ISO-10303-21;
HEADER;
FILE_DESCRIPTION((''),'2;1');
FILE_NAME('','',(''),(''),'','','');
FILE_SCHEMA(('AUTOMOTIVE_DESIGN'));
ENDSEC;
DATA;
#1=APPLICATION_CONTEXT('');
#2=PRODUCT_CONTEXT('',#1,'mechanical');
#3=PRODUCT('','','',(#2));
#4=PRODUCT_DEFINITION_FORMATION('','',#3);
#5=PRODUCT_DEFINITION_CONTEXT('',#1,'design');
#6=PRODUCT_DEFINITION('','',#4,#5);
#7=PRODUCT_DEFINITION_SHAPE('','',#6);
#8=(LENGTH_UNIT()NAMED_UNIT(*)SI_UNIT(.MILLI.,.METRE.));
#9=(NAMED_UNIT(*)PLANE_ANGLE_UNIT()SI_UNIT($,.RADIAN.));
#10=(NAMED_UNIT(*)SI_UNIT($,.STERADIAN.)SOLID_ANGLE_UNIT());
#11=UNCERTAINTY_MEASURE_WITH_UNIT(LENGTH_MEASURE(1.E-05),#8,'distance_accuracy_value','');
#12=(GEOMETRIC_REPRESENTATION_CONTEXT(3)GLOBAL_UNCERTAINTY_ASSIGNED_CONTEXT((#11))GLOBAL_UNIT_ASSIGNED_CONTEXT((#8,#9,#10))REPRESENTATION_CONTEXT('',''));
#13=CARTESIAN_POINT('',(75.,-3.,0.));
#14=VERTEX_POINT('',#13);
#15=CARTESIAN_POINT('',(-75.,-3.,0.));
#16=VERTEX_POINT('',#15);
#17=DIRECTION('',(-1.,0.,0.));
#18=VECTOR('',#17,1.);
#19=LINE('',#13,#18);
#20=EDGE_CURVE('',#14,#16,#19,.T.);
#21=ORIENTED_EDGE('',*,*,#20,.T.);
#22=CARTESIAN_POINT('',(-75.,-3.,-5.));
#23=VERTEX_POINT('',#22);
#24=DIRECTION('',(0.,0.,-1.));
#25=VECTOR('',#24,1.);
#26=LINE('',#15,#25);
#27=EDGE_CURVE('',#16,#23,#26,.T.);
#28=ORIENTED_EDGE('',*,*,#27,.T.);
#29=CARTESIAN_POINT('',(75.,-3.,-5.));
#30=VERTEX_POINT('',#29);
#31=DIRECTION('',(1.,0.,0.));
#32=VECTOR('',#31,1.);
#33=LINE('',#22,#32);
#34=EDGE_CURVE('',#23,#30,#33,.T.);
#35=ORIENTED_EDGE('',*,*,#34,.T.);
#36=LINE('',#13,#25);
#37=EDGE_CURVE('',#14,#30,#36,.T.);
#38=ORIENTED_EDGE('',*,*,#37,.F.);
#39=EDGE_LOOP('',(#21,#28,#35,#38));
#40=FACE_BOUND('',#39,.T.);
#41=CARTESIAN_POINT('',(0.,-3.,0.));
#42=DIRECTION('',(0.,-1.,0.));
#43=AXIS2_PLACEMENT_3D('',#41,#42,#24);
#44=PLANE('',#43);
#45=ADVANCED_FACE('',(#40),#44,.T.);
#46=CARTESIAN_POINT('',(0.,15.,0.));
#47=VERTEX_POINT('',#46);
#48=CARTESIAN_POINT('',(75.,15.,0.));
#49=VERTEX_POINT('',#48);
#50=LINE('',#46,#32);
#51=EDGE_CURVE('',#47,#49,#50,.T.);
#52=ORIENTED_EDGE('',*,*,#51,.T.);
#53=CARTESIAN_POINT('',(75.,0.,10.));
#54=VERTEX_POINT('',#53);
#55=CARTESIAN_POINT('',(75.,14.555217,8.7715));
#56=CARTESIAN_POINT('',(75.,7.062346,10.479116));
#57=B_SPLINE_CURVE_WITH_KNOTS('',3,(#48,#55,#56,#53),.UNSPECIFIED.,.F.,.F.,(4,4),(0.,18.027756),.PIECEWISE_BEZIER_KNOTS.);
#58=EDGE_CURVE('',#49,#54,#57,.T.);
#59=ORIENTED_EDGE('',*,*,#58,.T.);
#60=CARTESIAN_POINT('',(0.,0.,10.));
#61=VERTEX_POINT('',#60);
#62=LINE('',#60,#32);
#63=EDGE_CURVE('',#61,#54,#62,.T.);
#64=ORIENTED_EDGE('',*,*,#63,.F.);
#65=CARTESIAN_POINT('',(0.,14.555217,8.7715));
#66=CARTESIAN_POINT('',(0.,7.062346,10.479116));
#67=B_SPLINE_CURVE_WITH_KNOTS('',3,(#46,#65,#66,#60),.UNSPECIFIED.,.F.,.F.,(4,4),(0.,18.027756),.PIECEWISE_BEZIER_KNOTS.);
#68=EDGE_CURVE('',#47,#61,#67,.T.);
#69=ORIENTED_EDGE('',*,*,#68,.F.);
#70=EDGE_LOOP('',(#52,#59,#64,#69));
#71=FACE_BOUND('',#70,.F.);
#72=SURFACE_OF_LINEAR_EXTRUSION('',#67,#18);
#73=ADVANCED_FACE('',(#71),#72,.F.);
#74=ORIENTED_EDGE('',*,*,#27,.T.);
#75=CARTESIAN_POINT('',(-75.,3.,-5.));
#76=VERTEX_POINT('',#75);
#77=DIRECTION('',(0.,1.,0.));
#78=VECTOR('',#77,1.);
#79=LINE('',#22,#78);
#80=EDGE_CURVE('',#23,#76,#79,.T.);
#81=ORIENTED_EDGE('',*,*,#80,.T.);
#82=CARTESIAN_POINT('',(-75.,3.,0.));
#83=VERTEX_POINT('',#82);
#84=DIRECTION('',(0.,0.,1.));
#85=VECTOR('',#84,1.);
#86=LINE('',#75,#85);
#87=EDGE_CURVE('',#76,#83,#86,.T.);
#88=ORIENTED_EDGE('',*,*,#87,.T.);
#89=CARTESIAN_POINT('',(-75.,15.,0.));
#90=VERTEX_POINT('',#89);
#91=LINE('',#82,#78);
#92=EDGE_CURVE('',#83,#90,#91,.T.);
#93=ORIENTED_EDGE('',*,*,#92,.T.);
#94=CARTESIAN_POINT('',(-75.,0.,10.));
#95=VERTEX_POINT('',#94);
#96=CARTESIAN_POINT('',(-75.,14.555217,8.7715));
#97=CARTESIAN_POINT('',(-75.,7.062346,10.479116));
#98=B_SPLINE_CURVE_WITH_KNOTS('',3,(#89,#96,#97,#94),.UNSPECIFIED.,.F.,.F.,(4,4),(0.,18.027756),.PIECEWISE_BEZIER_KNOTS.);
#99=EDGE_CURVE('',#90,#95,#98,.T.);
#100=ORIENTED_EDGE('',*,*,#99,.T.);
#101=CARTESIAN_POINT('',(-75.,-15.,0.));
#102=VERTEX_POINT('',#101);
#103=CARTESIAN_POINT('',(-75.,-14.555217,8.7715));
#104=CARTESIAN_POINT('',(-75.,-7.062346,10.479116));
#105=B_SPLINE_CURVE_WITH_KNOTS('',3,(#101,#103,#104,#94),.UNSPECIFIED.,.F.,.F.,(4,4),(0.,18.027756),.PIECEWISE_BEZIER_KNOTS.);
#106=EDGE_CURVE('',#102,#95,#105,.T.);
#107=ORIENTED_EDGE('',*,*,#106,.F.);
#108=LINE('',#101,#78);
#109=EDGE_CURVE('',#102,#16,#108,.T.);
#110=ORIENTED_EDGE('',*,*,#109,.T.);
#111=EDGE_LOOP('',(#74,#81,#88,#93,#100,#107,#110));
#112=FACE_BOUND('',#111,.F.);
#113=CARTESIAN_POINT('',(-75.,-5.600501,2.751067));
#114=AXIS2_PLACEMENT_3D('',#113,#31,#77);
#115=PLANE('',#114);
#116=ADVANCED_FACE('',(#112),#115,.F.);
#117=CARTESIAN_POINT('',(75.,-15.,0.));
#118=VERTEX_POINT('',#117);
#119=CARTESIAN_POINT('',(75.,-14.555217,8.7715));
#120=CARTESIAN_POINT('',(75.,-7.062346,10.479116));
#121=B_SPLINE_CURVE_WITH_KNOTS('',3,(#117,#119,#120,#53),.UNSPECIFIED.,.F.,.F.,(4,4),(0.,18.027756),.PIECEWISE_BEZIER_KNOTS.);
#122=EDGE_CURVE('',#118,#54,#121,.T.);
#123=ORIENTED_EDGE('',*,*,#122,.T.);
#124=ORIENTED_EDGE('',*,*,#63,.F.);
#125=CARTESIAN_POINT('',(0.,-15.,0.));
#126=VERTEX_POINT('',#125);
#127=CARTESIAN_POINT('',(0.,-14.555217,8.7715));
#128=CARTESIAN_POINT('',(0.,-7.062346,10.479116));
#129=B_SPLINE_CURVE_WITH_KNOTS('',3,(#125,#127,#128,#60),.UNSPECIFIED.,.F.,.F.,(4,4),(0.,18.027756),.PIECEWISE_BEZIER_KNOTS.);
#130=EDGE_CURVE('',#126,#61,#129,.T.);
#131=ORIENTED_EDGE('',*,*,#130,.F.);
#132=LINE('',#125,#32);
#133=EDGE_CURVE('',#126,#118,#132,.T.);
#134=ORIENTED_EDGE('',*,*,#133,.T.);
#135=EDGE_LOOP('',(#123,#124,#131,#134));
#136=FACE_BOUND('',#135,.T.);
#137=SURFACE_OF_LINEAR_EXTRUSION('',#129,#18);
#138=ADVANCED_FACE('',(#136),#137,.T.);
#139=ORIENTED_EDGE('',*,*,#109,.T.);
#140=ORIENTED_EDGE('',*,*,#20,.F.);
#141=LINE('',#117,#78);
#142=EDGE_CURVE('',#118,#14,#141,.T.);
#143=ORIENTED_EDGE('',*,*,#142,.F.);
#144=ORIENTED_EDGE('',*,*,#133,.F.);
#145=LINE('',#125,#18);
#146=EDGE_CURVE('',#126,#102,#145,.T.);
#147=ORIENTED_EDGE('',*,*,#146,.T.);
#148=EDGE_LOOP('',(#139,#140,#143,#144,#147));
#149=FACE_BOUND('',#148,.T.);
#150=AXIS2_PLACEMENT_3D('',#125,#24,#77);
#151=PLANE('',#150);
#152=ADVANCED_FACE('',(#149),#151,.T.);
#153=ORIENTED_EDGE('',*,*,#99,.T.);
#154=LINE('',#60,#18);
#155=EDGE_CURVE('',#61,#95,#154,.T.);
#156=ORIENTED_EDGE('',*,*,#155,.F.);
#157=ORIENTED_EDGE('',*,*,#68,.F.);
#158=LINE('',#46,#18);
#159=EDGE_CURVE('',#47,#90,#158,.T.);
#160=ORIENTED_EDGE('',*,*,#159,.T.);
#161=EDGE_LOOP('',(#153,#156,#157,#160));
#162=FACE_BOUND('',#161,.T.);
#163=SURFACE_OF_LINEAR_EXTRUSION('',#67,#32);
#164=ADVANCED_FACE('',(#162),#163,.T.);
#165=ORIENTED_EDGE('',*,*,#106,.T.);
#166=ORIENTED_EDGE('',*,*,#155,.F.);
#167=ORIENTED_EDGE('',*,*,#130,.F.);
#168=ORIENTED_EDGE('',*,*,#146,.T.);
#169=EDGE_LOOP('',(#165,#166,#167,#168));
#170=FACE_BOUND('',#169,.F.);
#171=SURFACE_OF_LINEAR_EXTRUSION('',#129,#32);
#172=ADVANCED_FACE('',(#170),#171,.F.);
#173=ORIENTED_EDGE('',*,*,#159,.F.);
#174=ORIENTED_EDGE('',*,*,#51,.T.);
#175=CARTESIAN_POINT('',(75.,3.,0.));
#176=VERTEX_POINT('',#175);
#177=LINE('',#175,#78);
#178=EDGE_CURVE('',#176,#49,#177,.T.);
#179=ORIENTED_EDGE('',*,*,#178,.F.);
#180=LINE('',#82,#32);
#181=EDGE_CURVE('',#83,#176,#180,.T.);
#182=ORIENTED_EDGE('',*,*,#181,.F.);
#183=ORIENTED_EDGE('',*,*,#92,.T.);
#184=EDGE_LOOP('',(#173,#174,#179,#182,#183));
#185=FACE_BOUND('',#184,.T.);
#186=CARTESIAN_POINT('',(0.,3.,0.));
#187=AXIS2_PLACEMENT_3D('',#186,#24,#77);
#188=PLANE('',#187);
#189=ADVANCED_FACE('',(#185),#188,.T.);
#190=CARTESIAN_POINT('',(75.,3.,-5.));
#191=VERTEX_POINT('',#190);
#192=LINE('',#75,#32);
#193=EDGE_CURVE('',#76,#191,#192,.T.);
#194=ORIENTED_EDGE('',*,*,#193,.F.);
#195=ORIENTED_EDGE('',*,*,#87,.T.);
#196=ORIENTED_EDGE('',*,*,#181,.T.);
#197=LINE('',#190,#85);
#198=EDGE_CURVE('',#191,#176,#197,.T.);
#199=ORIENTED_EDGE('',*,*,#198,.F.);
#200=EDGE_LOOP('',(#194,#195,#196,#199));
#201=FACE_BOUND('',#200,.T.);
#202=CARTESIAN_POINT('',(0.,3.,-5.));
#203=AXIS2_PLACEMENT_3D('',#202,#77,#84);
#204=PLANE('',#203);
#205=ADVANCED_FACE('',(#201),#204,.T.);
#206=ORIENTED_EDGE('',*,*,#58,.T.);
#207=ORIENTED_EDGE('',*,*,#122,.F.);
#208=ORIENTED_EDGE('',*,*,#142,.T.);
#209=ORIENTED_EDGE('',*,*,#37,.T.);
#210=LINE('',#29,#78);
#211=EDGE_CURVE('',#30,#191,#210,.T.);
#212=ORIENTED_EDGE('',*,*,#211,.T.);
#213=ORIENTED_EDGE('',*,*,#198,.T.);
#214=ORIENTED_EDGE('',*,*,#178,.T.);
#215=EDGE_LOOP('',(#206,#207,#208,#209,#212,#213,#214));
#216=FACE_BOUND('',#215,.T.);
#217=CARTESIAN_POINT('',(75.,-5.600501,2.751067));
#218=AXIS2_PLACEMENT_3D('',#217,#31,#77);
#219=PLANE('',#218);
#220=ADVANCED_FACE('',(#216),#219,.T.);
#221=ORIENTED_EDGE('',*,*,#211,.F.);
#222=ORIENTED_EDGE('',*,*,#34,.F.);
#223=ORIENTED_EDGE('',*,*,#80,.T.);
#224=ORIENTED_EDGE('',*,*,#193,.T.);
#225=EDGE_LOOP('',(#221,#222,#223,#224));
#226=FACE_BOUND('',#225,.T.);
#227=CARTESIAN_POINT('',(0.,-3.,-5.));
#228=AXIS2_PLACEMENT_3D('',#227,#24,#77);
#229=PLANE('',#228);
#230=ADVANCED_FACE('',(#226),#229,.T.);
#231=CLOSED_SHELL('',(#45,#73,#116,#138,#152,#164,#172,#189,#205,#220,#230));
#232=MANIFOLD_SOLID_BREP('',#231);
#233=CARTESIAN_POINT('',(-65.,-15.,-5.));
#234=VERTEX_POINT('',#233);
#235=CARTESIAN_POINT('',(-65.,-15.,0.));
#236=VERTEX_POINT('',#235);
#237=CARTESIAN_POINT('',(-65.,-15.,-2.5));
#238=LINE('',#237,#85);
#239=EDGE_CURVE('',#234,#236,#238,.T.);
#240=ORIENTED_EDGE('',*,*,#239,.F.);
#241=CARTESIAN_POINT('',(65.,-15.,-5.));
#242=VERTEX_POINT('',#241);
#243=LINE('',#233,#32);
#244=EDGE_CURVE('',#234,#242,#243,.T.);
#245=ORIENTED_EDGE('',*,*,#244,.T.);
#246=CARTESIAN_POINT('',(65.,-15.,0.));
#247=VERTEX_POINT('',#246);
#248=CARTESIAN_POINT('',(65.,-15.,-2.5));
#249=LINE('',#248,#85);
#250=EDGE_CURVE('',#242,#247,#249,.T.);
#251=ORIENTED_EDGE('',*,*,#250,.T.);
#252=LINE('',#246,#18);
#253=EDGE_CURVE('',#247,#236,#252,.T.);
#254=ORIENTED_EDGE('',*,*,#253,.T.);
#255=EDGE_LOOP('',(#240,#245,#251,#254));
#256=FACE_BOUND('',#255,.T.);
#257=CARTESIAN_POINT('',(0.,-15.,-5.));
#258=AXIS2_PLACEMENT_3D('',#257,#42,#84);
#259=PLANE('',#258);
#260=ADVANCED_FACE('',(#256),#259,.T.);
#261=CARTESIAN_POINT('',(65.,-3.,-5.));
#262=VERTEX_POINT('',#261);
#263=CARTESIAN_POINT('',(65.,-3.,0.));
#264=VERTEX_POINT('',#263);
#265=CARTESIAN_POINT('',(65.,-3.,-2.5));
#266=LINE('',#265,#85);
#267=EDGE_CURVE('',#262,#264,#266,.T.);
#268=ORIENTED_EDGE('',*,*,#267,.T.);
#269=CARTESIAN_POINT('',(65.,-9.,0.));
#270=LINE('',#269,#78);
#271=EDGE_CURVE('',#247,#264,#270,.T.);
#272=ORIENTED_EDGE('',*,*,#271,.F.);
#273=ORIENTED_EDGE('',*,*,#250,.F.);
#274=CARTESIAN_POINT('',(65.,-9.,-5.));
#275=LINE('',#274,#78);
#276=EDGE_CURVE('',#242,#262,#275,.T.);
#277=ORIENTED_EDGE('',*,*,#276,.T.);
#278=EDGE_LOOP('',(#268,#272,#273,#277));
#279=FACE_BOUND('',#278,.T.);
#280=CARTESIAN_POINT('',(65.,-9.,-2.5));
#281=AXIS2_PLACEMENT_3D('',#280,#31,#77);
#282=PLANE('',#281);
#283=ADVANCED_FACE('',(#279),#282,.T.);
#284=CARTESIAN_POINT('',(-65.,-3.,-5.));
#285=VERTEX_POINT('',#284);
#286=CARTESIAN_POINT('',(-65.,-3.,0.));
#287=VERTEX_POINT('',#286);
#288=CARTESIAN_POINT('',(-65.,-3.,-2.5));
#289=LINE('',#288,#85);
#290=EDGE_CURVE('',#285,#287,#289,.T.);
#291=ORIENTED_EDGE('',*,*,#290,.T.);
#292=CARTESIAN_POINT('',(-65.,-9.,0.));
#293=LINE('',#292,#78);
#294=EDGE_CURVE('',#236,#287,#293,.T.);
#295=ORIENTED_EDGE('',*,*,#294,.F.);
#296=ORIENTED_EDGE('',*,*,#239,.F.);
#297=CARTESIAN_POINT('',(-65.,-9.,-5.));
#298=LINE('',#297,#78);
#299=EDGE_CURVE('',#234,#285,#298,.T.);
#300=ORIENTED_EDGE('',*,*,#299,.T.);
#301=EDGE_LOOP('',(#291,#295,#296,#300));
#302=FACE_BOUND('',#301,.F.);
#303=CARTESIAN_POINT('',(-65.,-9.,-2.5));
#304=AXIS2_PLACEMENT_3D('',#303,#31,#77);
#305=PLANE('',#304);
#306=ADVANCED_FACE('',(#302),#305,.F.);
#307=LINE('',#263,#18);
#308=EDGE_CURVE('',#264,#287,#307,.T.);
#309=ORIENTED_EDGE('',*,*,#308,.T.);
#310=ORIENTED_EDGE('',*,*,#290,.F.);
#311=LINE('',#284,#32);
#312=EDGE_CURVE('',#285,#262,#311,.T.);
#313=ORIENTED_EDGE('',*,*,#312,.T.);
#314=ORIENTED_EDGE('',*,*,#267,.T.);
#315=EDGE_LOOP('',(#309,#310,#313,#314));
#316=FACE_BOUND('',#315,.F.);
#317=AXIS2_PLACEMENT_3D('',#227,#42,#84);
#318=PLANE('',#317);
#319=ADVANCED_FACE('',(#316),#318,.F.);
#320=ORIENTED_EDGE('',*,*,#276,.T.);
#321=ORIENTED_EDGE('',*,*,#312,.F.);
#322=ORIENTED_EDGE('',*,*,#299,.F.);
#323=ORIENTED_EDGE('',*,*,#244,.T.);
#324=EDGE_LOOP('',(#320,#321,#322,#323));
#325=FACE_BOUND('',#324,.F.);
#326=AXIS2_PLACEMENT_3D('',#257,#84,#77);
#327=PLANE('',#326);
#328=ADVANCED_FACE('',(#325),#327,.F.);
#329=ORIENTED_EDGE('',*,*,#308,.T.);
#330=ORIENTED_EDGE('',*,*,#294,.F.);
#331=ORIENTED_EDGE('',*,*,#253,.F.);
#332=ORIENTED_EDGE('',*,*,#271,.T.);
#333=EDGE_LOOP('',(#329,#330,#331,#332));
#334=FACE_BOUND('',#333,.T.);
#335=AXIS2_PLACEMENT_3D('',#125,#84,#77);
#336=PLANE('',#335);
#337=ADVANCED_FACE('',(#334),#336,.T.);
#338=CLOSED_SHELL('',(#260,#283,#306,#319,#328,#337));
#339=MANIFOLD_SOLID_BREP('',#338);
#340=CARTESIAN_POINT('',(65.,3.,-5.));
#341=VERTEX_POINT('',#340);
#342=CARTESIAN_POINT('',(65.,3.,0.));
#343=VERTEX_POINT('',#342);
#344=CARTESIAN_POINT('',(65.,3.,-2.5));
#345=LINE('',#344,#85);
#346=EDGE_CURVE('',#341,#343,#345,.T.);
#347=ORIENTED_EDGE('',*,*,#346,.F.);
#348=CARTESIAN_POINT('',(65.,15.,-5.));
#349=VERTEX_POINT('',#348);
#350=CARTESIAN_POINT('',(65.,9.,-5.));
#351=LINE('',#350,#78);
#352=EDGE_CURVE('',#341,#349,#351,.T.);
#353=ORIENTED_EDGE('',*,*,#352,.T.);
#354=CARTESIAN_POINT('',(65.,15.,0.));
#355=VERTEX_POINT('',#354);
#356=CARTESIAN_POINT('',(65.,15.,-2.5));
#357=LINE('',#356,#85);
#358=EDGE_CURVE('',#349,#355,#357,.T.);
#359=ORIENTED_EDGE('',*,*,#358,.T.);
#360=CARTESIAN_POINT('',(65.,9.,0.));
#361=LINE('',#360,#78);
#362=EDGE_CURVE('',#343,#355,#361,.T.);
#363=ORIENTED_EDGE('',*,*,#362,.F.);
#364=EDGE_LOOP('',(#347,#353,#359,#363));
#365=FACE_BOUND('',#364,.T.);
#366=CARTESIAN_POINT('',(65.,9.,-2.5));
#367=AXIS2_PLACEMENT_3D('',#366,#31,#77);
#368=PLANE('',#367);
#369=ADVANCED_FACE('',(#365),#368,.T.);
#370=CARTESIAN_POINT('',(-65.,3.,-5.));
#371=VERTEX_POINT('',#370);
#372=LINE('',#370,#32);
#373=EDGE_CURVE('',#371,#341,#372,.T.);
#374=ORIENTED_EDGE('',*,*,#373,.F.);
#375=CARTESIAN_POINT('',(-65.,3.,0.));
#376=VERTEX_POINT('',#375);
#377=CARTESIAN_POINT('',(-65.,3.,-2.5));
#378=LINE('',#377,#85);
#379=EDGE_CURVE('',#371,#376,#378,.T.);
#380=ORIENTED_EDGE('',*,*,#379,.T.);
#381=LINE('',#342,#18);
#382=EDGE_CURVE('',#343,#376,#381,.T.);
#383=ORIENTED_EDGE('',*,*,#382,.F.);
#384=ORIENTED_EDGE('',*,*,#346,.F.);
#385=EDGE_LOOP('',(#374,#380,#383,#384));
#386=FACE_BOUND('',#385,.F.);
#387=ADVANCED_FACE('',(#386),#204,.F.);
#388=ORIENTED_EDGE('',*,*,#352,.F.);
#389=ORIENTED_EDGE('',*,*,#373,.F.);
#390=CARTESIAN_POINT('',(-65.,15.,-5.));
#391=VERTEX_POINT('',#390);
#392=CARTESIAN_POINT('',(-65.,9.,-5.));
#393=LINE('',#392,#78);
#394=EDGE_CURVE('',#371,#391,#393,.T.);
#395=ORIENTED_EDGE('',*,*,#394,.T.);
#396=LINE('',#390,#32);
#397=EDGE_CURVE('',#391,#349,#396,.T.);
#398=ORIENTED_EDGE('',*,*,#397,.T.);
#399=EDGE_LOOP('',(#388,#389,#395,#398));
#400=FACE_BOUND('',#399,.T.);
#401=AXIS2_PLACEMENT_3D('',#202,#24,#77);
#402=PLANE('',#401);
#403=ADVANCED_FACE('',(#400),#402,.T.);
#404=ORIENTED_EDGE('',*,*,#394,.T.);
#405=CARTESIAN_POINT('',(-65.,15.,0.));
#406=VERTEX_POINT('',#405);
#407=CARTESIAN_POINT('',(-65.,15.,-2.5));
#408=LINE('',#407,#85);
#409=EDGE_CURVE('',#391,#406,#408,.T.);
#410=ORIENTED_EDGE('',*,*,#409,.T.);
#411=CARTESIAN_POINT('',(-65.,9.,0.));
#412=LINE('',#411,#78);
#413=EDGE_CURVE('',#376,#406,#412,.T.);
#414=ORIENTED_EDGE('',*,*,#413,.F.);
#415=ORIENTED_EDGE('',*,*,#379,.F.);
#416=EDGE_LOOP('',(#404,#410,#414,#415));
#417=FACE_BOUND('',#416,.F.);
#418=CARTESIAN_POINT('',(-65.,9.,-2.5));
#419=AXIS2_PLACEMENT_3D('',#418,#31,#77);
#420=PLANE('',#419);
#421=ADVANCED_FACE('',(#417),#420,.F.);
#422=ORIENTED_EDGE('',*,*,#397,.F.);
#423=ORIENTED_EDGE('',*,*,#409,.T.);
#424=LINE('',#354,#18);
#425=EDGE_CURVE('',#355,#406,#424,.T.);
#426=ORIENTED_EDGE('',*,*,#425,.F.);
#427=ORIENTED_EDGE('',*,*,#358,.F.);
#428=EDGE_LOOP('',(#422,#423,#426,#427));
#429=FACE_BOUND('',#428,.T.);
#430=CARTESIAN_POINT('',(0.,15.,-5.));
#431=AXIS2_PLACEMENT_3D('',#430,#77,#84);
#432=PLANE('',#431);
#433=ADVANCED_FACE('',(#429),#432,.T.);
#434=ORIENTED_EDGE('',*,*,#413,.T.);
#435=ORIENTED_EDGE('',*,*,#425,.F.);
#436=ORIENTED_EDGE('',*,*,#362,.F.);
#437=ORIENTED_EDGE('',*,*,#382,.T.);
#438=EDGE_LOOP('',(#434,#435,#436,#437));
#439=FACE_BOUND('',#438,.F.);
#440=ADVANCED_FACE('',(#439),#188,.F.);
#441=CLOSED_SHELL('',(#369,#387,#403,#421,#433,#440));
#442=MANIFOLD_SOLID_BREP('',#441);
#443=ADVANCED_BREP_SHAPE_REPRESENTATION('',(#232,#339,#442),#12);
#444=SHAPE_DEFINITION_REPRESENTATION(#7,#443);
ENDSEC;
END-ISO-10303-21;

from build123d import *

# Parameters (mm, degrees)
F0_W     = 12
F0_H     = 5
F1_DEPTH = 65
F2_DEPTH = 75


with BuildPart() as f1:
    # F0 (on Right) → F1 (new body, symmetric)
    with BuildSketch(Plane.YZ):
        with Locations((-9, -2.5)):
            Rectangle(F0_W, F0_H)
        with Locations((9, -2.5)):
            Rectangle(F0_W, F0_H)
    extrude(amount=F1_DEPTH, both=True)


with BuildPart() as f2:
    # F0 (on Right) → F2 (new body, symmetric)
    with BuildSketch(Plane.YZ):
        with BuildLine():
            Line((-3, 0), (-3, -5))
            Line((-3, -5), (0, -5))
            Line((0, -5), (0, 10))
            add(Edge.make_bspline(
                [(-15, 0), (-14.555217, 8.7715), (-7.062346, 10.479116), (0, 10)],
                knots=[0, 0, 0, 0, 18.027756, 18.027756, 18.027756, 18.027756], degree=3))
            Line((-15, 0), (-3, 0))
        make_face()
        with BuildLine():
            Line((0, 10), (0, -5))
            Line((0, -5), (3, -5))
            Line((3, -5), (3, 0))
            Line((3, 0), (15, 0))
            add(Edge.make_bspline(
                [(15, 0), (14.555217, 8.7715), (7.062346, 10.479116), (0, 10)],
                knots=[0, 0, 0, 0, 18.027756, 18.027756, 18.027756, 18.027756], degree=3))
        make_face()
    extrude(amount=F2_DEPTH, both=True)


solid = Compound([f1.part, f2.part])
